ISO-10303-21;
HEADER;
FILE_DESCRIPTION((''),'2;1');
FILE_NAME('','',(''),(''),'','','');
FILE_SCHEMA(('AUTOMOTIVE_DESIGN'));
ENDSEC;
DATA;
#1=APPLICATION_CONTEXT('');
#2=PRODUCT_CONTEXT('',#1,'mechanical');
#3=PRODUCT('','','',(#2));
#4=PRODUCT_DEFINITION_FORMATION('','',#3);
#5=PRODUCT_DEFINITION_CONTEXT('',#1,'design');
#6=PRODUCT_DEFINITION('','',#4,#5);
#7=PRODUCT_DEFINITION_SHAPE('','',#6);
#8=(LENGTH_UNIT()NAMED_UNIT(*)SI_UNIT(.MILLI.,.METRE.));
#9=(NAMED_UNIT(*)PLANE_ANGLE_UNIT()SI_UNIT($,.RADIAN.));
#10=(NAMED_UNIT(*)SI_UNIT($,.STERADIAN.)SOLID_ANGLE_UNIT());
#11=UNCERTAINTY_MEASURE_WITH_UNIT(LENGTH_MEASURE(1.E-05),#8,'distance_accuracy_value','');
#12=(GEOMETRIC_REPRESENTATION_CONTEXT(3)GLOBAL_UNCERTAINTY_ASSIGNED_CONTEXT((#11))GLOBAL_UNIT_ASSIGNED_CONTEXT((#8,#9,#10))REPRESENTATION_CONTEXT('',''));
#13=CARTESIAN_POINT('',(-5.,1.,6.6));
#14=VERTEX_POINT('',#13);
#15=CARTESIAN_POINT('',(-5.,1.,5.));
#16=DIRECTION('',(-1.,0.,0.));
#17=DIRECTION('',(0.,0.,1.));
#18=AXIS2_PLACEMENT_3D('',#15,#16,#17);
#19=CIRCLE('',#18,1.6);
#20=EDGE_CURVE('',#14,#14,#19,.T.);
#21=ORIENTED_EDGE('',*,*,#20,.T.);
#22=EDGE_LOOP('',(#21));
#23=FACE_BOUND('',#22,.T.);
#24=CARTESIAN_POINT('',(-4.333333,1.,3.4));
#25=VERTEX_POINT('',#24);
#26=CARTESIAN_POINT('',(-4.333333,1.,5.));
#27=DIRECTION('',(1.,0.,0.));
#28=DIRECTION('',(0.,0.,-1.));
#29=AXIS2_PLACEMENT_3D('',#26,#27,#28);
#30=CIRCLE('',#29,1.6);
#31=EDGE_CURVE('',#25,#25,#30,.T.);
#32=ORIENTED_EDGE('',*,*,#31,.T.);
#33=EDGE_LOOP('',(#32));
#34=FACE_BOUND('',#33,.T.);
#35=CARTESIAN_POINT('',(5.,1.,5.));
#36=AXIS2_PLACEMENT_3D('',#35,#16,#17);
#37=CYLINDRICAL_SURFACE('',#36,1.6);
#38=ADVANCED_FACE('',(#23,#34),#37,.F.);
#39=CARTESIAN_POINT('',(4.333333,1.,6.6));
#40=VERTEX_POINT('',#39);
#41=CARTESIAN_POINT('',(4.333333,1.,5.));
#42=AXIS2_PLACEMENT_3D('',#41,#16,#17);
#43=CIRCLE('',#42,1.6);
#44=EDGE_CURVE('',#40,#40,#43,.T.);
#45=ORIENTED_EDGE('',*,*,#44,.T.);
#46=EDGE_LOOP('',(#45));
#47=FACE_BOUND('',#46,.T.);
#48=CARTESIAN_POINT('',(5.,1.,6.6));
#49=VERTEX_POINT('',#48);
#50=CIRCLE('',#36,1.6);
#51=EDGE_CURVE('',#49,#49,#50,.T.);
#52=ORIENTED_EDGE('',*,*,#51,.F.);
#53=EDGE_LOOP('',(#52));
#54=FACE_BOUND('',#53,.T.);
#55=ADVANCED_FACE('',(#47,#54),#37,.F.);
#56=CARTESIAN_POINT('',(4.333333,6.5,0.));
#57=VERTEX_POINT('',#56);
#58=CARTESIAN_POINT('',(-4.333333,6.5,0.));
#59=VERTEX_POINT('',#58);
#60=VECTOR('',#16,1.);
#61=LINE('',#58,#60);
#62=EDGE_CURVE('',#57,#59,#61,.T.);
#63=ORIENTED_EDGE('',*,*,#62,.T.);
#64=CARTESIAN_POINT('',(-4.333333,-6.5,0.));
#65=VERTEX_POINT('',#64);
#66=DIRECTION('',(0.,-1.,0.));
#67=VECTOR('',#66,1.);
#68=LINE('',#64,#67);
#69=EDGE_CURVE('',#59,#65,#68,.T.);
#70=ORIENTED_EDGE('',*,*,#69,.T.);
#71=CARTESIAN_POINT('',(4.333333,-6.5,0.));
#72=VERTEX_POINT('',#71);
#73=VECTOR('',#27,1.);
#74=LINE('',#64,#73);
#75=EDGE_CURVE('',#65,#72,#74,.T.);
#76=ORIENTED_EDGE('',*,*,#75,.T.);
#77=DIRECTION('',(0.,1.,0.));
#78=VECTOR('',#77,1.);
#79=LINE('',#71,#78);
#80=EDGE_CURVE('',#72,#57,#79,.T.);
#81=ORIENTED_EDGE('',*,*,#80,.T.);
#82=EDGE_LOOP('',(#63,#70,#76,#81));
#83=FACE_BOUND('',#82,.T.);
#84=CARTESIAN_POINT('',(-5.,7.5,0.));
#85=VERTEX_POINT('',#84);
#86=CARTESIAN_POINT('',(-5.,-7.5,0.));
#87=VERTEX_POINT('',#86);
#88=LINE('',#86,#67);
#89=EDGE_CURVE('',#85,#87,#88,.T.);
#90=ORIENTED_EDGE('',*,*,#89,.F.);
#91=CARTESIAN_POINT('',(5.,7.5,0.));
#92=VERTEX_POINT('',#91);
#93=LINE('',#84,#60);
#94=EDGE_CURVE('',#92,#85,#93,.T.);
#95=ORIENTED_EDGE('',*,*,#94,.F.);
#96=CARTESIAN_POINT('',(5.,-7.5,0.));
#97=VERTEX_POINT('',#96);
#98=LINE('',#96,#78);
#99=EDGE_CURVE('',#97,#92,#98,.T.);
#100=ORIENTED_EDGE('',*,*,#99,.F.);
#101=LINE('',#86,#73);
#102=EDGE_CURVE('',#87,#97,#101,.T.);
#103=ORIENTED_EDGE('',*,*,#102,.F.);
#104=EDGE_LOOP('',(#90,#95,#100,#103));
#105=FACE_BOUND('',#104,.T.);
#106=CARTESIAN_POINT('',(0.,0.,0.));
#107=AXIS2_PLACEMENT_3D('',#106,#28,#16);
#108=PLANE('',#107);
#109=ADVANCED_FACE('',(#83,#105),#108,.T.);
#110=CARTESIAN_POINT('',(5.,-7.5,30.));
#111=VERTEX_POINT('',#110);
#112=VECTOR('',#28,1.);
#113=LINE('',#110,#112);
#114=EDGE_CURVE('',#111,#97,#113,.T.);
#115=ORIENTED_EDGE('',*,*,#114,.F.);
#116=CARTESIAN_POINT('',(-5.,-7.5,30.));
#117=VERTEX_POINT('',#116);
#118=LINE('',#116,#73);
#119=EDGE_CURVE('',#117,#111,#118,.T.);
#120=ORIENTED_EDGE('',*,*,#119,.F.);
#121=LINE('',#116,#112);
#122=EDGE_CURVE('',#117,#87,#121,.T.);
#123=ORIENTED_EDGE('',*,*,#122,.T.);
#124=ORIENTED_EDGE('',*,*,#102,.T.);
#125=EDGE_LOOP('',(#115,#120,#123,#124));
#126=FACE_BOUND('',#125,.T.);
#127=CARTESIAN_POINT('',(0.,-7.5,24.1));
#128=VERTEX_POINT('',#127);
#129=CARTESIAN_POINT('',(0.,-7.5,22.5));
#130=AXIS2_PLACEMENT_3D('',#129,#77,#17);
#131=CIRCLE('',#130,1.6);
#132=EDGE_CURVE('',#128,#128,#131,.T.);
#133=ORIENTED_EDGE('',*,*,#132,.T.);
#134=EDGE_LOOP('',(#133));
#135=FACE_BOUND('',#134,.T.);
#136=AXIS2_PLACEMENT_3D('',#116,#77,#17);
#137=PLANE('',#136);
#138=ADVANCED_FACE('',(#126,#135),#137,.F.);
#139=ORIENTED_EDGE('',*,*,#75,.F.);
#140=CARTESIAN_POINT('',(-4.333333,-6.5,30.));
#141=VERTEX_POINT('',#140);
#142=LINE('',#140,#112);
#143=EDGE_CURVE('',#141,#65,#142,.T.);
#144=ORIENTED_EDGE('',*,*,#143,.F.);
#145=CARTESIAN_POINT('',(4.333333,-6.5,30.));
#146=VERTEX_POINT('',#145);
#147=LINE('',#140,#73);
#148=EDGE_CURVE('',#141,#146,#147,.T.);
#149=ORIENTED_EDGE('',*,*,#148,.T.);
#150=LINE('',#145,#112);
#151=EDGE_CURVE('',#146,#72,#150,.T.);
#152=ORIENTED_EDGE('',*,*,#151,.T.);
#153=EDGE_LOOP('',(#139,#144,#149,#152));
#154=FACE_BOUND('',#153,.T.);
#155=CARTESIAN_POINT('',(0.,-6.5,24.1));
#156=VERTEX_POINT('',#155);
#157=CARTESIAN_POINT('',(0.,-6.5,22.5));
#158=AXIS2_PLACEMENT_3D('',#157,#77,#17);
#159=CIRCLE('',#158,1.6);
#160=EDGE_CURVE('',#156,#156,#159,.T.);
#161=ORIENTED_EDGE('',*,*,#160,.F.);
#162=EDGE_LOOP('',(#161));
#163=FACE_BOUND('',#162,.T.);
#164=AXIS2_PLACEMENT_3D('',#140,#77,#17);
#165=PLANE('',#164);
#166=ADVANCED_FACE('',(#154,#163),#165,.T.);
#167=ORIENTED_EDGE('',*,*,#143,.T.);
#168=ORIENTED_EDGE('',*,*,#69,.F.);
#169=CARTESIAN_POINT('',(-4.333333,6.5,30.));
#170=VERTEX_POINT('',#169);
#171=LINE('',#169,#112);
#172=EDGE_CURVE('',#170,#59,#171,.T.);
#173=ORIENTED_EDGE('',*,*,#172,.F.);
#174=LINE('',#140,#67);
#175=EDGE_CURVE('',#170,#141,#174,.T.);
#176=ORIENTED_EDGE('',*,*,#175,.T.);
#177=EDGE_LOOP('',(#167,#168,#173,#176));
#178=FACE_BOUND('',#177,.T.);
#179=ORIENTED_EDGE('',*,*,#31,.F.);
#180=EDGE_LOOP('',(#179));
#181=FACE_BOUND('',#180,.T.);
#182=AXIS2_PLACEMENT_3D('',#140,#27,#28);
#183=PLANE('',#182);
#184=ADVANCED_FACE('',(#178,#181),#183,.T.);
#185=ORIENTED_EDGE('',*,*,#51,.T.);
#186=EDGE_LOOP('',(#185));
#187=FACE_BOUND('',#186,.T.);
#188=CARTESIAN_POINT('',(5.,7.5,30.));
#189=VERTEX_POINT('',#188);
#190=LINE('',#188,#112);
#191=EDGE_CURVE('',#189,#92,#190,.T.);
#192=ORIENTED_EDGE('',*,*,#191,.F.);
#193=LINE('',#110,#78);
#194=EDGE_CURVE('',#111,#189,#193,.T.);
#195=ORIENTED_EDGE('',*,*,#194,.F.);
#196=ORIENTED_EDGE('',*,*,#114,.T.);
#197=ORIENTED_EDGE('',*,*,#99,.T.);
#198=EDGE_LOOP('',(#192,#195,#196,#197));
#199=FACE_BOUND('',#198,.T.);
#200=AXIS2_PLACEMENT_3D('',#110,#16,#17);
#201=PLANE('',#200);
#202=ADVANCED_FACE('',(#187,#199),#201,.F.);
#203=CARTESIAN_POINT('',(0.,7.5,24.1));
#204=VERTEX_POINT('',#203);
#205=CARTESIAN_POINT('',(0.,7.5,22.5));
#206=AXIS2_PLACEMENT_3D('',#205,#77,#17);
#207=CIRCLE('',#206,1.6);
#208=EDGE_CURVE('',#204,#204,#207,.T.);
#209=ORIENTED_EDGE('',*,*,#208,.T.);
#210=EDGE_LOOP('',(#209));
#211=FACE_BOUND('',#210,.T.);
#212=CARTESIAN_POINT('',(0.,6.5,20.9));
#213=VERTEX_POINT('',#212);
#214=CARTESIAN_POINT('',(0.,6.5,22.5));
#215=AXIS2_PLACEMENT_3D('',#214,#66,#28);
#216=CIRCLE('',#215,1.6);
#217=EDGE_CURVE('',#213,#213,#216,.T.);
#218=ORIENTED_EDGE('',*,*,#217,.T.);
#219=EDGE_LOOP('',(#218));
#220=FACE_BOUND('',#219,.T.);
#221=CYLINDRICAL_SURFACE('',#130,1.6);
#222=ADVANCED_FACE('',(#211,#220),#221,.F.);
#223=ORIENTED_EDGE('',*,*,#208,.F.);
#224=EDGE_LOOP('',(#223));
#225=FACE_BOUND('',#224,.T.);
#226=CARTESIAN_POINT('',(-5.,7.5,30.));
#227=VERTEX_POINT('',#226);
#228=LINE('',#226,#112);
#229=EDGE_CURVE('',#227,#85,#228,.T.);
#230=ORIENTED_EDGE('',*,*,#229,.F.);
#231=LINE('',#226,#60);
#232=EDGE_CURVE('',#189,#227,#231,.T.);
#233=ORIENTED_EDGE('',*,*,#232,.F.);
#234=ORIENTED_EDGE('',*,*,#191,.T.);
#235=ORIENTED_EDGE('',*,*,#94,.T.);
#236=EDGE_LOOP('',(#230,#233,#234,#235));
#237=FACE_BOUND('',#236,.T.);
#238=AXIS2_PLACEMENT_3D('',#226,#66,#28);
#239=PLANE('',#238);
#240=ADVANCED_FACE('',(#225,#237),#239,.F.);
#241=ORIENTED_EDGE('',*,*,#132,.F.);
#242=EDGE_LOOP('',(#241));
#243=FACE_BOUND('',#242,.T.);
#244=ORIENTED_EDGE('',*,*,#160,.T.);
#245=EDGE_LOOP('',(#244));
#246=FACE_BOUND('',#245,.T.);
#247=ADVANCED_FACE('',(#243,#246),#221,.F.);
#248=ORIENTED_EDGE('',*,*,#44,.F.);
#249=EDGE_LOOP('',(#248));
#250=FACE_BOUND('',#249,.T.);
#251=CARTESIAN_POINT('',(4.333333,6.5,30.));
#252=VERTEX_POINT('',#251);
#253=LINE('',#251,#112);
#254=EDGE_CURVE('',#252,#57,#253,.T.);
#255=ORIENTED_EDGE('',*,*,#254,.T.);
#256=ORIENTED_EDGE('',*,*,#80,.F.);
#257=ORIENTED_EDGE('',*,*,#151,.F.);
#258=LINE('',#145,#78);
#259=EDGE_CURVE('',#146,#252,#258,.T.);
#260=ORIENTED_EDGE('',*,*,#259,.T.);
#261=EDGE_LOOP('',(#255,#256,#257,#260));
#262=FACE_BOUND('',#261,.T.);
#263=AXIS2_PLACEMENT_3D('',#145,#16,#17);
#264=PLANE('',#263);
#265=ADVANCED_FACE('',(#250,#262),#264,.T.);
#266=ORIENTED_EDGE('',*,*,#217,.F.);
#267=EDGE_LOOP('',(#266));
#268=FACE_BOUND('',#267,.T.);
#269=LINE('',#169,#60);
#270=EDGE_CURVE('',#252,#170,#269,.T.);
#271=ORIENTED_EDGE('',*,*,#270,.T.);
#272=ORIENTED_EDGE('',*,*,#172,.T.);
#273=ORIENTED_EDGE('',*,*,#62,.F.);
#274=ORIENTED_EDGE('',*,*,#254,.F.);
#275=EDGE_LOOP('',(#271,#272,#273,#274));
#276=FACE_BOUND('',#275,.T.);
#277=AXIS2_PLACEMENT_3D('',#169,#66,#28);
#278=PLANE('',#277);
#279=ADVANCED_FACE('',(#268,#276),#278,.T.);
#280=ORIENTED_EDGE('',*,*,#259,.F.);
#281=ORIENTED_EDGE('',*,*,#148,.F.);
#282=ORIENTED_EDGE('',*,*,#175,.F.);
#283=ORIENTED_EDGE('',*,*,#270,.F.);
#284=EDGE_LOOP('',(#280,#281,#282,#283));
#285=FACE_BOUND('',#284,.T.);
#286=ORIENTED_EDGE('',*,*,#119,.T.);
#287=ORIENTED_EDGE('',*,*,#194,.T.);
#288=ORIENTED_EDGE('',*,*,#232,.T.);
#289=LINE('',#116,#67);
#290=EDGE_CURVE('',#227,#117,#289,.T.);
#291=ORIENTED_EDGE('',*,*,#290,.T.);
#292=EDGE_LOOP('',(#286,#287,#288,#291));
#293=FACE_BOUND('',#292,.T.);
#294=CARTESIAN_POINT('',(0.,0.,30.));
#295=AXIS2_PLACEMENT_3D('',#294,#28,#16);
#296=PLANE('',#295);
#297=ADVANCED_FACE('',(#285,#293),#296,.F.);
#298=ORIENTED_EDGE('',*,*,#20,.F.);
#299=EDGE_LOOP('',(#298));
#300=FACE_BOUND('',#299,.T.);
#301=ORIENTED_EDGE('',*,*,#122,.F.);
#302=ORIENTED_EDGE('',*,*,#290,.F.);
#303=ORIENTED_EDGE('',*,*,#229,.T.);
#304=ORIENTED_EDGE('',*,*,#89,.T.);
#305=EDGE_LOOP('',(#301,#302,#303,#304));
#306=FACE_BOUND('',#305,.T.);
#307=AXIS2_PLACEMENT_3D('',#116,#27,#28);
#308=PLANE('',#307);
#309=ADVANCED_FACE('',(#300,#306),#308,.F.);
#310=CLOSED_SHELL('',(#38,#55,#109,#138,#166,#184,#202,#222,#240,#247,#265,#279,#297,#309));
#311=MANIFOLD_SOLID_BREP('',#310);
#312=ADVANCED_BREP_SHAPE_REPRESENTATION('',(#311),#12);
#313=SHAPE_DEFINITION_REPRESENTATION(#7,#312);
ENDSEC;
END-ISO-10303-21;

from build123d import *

# Parameters (mm, degrees)
SKETCH_1_W          = 10
SKETCH_1_H          = 15
SKETCH_1_W_2        = 8.666666666
SKETCH_1_H_2        = 13
EXTRUDE_1_DEPTH     = 30
SKETCH_3_R          = 1.6
CUT_EXTRUDE_2_DEPTH = 34.911649916
SKETCH_4_R          = 1.6
CUT_EXTRUDE_3_DEPTH = 33.5


with BuildPart() as part:
    # ｽｹｯﾁ1 → ﾎﾞｽ - 押し出し1 (new body)
    with BuildSketch(Plane.XY):
        Rectangle(SKETCH_1_W, SKETCH_1_H)
        Rectangle(SKETCH_1_W_2, SKETCH_1_H_2, mode=Mode.SUBTRACT)
    extrude(amount=EXTRUDE_1_DEPTH)

    # ｽｹｯﾁ3 → ｶｯﾄ - 押し出し2 (cut, through all)
    with BuildSketch(Plane(origin=(0, 7.5, 0), x_dir=(1, 0, 0), z_dir=(0, 1, 0))):
        with Locations(Location((0, -22.5, 0), (0, 0, 270))):
            Circle(SKETCH_3_R)
    extrude(amount=-CUT_EXTRUDE_2_DEPTH, mode=Mode.SUBTRACT)

    # ｽｹｯﾁ4 → ｶｯﾄ - 押し出し3 (cut, through all)
    with BuildSketch(Plane.ZY.offset(5)):
        with Locations((5, 1)):
            Circle(SKETCH_4_R)
    extrude(amount=-CUT_EXTRUDE_3_DEPTH, mode=Mode.SUBTRACT)


solid = part.part
